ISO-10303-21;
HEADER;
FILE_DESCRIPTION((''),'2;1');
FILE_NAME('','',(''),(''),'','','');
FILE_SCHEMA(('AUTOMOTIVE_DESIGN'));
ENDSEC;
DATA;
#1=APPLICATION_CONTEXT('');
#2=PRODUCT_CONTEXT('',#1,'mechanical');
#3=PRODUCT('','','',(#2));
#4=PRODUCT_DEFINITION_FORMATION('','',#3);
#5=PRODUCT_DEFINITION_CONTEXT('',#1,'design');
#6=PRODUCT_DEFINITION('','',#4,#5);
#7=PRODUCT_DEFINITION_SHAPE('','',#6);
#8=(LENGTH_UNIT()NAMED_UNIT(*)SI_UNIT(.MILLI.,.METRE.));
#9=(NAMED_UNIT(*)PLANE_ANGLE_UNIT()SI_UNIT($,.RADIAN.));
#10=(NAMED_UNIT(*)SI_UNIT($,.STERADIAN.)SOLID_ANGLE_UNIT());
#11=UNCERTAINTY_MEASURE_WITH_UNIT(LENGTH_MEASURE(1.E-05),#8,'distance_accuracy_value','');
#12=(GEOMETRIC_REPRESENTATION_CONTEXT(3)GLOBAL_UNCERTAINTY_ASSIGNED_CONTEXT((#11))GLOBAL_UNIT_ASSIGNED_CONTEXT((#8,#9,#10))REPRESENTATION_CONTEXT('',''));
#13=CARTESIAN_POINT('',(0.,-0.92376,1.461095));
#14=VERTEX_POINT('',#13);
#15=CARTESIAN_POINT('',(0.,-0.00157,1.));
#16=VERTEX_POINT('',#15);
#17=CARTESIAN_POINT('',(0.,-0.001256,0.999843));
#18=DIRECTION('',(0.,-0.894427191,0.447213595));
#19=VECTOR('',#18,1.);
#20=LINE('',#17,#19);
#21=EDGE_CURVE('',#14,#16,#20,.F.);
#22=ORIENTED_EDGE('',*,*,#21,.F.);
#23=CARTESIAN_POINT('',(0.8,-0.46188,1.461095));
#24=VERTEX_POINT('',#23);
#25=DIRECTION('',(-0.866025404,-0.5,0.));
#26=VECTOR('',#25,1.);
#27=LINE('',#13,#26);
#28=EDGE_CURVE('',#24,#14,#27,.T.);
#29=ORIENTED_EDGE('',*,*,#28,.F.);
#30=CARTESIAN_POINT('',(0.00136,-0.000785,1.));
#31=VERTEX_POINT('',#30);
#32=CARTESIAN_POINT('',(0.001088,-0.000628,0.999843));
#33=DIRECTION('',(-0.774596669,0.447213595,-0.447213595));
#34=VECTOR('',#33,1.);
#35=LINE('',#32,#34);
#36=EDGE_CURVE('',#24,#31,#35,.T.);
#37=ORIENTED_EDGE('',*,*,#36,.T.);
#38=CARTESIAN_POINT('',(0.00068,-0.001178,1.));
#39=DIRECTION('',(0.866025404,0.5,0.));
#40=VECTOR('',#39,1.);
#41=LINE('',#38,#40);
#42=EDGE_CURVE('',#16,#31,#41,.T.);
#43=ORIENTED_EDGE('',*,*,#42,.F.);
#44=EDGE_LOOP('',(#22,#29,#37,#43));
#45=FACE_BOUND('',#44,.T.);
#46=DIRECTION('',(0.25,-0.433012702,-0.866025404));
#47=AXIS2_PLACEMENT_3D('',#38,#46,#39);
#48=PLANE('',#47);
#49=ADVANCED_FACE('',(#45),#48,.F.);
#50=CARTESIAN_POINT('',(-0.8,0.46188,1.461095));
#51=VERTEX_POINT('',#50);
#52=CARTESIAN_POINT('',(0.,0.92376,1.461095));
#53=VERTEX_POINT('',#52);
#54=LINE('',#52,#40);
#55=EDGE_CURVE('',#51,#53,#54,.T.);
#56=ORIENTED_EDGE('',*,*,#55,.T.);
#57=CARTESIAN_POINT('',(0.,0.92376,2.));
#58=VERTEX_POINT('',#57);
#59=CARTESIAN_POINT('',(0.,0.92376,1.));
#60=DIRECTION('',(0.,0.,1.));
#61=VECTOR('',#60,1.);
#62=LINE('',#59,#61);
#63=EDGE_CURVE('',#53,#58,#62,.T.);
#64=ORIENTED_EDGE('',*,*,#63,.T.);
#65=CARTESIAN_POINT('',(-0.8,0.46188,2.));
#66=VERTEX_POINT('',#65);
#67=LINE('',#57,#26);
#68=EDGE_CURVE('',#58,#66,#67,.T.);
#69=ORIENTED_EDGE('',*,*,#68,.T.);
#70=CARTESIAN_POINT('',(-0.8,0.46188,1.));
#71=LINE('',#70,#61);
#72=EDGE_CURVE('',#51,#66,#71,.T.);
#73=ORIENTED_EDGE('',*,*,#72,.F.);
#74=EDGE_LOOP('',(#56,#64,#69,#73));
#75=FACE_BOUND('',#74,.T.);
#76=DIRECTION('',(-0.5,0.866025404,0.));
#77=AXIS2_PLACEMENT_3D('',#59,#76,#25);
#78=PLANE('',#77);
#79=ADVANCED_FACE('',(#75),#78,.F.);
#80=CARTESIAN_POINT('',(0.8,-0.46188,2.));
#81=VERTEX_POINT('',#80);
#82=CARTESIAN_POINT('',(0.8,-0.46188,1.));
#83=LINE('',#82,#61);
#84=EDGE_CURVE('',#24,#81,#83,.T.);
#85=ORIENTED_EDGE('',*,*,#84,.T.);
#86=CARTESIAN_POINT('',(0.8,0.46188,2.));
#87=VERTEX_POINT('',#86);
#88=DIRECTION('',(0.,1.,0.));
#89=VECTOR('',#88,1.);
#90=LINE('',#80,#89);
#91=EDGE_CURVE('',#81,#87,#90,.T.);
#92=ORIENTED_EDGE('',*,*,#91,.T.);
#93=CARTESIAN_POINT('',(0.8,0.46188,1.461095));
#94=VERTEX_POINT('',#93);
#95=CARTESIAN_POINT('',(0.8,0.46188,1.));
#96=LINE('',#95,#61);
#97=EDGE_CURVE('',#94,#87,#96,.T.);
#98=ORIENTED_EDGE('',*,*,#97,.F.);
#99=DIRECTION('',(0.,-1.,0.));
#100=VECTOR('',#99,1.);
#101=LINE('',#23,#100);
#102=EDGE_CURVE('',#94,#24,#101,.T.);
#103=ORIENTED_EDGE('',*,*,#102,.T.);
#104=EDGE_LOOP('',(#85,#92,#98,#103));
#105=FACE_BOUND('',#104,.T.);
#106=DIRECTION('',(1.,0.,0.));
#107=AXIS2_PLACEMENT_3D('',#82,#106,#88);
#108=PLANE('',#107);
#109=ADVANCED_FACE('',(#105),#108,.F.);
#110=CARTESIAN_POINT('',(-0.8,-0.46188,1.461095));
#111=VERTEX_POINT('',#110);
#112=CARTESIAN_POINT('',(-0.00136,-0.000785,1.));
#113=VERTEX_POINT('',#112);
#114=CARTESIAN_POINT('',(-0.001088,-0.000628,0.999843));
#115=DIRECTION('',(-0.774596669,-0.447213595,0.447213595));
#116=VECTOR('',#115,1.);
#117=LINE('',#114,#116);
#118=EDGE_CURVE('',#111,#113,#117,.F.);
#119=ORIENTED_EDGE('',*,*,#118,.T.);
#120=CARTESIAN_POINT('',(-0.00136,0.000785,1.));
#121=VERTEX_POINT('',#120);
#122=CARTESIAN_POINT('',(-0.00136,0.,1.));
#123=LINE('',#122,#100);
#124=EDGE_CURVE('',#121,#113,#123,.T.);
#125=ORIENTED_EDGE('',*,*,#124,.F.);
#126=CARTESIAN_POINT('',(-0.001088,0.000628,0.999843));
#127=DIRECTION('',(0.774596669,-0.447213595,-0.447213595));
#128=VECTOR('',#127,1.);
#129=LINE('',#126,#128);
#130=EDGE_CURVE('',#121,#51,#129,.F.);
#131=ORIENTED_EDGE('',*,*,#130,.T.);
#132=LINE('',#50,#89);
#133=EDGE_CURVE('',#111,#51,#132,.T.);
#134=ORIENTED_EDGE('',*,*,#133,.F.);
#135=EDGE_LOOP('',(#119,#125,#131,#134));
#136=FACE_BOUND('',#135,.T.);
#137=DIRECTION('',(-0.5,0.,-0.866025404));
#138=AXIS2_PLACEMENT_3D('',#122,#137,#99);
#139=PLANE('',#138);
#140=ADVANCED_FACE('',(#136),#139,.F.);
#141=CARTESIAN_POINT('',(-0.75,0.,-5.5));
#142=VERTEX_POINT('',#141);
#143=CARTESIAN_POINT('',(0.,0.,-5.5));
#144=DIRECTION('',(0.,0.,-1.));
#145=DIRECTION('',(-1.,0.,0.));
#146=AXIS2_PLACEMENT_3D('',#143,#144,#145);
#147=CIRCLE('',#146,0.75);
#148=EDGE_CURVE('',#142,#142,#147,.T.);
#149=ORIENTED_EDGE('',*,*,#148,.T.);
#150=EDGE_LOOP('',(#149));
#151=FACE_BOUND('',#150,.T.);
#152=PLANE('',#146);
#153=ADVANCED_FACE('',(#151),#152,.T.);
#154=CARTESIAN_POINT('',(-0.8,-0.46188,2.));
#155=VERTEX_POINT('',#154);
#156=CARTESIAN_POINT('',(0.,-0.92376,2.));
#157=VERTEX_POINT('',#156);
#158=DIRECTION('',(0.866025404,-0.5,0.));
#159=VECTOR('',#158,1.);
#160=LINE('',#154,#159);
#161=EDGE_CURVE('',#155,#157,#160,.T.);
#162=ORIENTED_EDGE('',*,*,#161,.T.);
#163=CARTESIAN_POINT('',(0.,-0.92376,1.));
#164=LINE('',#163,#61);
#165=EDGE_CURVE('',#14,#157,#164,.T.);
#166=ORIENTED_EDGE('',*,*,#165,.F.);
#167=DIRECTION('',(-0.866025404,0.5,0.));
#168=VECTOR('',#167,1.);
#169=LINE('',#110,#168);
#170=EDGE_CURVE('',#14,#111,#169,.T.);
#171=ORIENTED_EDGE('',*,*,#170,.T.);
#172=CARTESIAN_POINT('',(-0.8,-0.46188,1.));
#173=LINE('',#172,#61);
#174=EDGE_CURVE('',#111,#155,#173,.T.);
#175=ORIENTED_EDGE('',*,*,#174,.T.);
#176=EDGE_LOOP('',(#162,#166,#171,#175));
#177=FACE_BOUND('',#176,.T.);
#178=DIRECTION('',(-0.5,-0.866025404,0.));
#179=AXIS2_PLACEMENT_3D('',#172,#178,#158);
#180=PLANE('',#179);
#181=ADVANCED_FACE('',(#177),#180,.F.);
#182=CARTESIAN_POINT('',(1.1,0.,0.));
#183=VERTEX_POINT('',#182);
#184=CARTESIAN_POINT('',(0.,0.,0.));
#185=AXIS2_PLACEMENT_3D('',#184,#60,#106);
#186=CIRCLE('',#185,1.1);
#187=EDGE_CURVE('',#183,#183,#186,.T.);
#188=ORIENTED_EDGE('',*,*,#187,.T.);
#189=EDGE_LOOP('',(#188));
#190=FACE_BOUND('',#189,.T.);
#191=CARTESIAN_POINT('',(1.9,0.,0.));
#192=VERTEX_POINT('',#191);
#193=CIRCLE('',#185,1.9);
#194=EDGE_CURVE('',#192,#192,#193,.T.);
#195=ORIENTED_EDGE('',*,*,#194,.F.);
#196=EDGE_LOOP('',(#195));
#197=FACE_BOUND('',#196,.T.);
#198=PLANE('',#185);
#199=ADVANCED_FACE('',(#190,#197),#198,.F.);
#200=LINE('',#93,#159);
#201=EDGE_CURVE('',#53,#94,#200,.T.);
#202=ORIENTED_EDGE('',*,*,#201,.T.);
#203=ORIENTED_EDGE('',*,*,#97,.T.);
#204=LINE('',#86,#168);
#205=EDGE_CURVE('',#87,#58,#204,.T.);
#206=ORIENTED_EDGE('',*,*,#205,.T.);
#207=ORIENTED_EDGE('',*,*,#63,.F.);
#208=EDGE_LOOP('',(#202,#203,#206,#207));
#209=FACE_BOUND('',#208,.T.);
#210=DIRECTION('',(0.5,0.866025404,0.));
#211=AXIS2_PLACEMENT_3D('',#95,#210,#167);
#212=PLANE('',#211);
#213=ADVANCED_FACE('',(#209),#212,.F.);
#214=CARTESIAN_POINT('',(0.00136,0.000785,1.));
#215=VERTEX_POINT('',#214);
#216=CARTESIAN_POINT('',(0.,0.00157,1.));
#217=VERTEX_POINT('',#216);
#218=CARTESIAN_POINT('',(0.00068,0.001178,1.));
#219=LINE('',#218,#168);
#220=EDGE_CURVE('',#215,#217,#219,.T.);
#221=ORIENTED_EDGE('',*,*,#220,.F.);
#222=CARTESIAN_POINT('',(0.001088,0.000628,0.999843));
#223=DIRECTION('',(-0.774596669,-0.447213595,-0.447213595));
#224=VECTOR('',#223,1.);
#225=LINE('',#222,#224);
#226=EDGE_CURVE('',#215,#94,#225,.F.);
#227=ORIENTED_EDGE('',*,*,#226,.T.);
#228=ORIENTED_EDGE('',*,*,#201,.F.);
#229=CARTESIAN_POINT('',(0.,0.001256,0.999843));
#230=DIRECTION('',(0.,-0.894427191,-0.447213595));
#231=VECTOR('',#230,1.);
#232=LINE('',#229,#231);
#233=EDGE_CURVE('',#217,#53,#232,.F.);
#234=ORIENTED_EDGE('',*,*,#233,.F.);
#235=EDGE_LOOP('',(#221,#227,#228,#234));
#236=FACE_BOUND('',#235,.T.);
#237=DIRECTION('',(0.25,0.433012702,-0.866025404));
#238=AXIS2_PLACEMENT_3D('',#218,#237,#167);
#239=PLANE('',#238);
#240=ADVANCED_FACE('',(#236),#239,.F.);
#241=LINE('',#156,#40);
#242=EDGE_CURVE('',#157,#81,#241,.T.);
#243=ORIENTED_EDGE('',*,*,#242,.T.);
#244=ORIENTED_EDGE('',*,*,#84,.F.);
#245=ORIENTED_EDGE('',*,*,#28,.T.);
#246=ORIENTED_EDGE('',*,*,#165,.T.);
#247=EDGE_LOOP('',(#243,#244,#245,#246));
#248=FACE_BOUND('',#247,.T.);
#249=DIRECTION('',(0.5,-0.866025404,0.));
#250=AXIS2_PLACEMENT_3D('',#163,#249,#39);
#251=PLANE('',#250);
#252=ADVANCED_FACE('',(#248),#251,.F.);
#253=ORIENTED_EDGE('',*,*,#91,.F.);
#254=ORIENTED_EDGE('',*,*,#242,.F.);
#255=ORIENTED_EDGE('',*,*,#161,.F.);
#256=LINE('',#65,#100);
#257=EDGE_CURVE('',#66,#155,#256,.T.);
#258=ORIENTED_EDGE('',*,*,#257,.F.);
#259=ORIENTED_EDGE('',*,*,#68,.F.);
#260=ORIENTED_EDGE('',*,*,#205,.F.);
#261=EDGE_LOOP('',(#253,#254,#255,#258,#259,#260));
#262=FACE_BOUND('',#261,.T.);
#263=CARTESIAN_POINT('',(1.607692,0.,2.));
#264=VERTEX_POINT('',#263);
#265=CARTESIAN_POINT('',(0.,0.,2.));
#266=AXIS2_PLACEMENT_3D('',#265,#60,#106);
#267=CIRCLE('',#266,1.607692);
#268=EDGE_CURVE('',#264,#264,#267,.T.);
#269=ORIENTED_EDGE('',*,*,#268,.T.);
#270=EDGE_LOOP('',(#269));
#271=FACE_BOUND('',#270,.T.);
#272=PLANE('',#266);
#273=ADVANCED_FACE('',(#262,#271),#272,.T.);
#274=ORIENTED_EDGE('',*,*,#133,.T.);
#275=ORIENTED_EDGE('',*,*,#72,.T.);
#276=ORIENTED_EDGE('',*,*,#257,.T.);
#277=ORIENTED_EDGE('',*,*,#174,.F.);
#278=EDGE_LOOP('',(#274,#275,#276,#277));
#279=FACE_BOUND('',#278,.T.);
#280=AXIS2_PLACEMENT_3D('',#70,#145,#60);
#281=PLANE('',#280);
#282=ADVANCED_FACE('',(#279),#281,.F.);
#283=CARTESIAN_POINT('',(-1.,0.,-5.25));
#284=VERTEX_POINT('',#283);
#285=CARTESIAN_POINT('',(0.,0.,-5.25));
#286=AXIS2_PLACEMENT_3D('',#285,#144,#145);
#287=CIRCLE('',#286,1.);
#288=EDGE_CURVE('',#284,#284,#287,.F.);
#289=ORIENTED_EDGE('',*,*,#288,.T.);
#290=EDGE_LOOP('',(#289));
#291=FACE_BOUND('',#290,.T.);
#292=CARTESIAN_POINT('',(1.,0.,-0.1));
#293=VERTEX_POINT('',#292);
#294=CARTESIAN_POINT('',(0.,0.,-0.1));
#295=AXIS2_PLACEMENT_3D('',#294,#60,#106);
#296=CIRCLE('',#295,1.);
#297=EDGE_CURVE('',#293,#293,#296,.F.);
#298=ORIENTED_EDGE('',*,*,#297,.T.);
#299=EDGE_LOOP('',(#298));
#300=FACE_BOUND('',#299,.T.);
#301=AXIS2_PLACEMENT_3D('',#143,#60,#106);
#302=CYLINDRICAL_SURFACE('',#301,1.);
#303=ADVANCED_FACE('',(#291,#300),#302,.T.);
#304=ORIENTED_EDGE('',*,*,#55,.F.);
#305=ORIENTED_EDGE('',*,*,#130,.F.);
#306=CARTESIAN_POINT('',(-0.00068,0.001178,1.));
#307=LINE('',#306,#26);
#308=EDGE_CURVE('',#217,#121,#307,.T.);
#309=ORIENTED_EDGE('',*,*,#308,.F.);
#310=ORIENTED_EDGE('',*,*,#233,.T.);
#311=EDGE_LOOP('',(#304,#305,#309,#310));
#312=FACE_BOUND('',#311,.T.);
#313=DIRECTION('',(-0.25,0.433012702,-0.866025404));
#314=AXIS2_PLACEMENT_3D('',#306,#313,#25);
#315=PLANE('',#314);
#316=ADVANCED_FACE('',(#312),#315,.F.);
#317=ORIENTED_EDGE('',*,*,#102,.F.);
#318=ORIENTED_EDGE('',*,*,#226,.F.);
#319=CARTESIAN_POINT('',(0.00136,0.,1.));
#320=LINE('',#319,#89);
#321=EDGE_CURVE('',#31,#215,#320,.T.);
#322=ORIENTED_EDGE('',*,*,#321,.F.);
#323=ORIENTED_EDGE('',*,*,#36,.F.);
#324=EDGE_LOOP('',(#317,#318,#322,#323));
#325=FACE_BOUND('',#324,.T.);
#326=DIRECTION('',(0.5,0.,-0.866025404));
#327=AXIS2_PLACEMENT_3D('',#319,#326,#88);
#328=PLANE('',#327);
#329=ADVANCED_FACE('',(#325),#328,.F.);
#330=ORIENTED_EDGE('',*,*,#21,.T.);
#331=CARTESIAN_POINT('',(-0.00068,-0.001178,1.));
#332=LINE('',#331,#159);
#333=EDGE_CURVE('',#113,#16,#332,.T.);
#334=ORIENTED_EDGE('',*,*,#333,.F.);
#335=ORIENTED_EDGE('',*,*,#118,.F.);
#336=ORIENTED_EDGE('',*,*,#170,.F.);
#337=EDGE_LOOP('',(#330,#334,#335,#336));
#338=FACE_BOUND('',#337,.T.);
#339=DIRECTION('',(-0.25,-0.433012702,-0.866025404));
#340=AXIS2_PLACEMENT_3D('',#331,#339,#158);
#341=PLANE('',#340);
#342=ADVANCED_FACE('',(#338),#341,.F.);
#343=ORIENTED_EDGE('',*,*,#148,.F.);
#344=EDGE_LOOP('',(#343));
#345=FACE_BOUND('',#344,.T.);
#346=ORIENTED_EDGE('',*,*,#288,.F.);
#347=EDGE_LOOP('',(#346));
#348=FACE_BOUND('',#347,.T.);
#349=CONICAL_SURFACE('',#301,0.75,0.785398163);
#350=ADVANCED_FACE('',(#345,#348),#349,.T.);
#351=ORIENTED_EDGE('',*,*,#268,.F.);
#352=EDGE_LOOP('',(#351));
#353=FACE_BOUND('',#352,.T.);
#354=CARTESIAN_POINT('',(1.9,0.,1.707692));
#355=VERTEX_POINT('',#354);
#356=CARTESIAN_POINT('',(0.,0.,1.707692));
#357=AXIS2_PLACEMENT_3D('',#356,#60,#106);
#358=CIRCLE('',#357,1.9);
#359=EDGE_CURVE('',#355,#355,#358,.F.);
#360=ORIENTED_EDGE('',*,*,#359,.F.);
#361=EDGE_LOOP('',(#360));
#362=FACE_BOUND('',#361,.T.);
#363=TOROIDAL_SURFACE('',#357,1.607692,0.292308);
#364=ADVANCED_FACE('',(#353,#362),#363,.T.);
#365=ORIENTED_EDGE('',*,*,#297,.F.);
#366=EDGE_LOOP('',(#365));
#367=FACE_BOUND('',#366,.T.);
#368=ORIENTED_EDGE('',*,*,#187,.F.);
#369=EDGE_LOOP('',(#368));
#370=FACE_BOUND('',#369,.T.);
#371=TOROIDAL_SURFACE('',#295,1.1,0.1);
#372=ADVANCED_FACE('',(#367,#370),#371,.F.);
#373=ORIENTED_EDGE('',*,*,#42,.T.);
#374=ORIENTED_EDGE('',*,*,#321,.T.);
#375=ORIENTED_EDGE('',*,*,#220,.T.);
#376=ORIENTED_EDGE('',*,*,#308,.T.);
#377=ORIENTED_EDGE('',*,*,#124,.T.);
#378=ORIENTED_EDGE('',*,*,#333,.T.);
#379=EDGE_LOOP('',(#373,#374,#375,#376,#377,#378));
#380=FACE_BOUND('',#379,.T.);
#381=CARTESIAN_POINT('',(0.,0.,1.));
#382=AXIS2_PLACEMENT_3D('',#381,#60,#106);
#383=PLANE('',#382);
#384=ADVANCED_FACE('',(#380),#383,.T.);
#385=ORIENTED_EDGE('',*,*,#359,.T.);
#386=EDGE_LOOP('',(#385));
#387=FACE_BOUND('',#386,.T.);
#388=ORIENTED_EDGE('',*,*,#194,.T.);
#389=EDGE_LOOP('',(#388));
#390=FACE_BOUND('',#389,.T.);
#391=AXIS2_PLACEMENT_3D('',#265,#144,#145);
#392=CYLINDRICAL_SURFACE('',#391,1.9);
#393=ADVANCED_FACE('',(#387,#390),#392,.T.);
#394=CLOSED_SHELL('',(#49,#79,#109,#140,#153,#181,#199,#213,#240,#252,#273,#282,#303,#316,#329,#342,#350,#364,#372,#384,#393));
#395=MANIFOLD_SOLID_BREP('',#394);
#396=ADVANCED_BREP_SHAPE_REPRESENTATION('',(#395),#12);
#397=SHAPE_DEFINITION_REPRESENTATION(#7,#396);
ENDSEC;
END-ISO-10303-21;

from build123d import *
from OCP.BRepFilletAPI import BRepFilletAPI_MakeChamfer

# Parameters (mm, degrees)
SKETCH_1_R          = 1.9
EXTRUDE_1_DEPTH     = 2
CUT_EXTRUDE_1_DEPTH = 1
SKETCH_3_R          = 1
EXTRUDE_2_DEPTH     = 5.5
CHAMFER_1_SIZE      = 0.25
FILLET_1_R          = 0.292307692
CHAMFER_2_SIZE      = 0.461095101
CHAMFER_2_SIZE2     = 0.798640142
FILLET_2_R          = 0.1


with BuildPart() as part:
    # 草图1 → 凸台-拉伸1 (new body)
    with BuildSketch(Plane.XY):
        Circle(SKETCH_1_R)
    extrude(amount=EXTRUDE_1_DEPTH)

    # 草图2 → 切除-拉伸1 (cut)
    with BuildSketch(Plane.XY.offset(2)):
        Polygon((0.8, 0.461880215), (0, 0.923760431), (-0.8, 0.461880215), (-0.8, -0.461880215), (0, -0.923760431), (0.8, -0.461880215), align=None)
    extrude(amount=-CUT_EXTRUDE_1_DEPTH, mode=Mode.SUBTRACT)

    # 草图3 → 凸台-拉伸2 (add)
    with BuildSketch(Plane(origin=(0, 0, 0), x_dir=(-1, 0, 0), z_dir=(0, 0, -1))):
        Circle(SKETCH_3_R)
    extrude(amount=EXTRUDE_2_DEPTH)

    # 倒角1
    chamfer_1_edges = [part.edges().sort_by_distance(p)[0] for p in [
        (1, 0, -5.5),
    ]]
    chamfer(chamfer_1_edges, length=CHAMFER_1_SIZE)

    # 圆角1
    fillet_1_edges = [part.edges().sort_by_distance(p)[0] for p in [
        (-1.9, 0, 2),
    ]]
    fillet(fillet_1_edges, radius=FILLET_1_R)

    # 倒角2: one chamfer whose edges measure the first distance from different faces: ONE call of the kernel's chamfer builder (chamfer() names one face for all edges)
    chamfer_2_edges_1 = [part.edges().sort_by_distance(p)[0] for p in [
        (-0.8, 0, 1),
    ]]
    chamfer_2_side_1 = [part.faces().sort_by_distance(p)[0] for p in [
        (-0.8, 0, 1.5),
    ]]
    chamfer_2_edges_2 = [part.edges().sort_by_distance(p)[0] for p in [
        (-0.4, 0.692820323, 1),
    ]]
    chamfer_2_side_2 = [part.faces().sort_by_distance(p)[0] for p in [
        (-0.4, 0.692820323, 1.5),
    ]]
    chamfer_2_edges_3 = [part.edges().sort_by_distance(p)[0] for p in [
        (0.4, 0.692820323, 1),
    ]]
    chamfer_2_side_3 = [part.faces().sort_by_distance(p)[0] for p in [
        (0.4, 0.692820323, 1.5),
    ]]
    chamfer_2_edges_4 = [part.edges().sort_by_distance(p)[0] for p in [
        (0.8, 0, 1),
    ]]
    chamfer_2_side_4 = [part.faces().sort_by_distance(p)[0] for p in [
        (0.8, 0, 1.5),
    ]]
    chamfer_2_edges_5 = [part.edges().sort_by_distance(p)[0] for p in [
        (-0.4, -0.692820323, 1),
    ]]
    chamfer_2_side_5 = [part.faces().sort_by_distance(p)[0] for p in [
        (-0.4, -0.692820323, 1.5),
    ]]
    chamfer_2_edges_6 = [part.edges().sort_by_distance(p)[0] for p in [
        (0.4, -0.692820323, 1),
    ]]
    chamfer_2_side_6 = [part.faces().sort_by_distance(p)[0] for p in [
        (0.4, -0.692820323, 1.5),
    ]]
    chamfer_2 = BRepFilletAPI_MakeChamfer(part.part.solid().wrapped)
    for e in chamfer_2_edges_1:
        chamfer_2.Add(CHAMFER_2_SIZE, CHAMFER_2_SIZE2, e.wrapped, chamfer_2_side_1[0].wrapped)  # the first distance lies on this face
    for e in chamfer_2_edges_2:
        chamfer_2.Add(CHAMFER_2_SIZE, CHAMFER_2_SIZE2, e.wrapped, chamfer_2_side_2[0].wrapped)  # the first distance lies on this face
    for e in chamfer_2_edges_3:
        chamfer_2.Add(CHAMFER_2_SIZE, CHAMFER_2_SIZE2, e.wrapped, chamfer_2_side_3[0].wrapped)  # the first distance lies on this face
    for e in chamfer_2_edges_4:
        chamfer_2.Add(CHAMFER_2_SIZE, CHAMFER_2_SIZE2, e.wrapped, chamfer_2_side_4[0].wrapped)  # the first distance lies on this face
    for e in chamfer_2_edges_5:
        chamfer_2.Add(CHAMFER_2_SIZE, CHAMFER_2_SIZE2, e.wrapped, chamfer_2_side_5[0].wrapped)  # the first distance lies on this face
    for e in chamfer_2_edges_6:
        chamfer_2.Add(CHAMFER_2_SIZE, CHAMFER_2_SIZE2, e.wrapped, chamfer_2_side_6[0].wrapped)  # the first distance lies on this face
    add(Compound.cast(chamfer_2.Shape()), mode=Mode.REPLACE)

    # 圆角2
    fillet_2_edges = [part.edges().sort_by_distance(p)[0] for p in [
        (1, 0, 0),
    ]]
    fillet(fillet_2_edges, radius=FILLET_2_R)


solid = part.part
